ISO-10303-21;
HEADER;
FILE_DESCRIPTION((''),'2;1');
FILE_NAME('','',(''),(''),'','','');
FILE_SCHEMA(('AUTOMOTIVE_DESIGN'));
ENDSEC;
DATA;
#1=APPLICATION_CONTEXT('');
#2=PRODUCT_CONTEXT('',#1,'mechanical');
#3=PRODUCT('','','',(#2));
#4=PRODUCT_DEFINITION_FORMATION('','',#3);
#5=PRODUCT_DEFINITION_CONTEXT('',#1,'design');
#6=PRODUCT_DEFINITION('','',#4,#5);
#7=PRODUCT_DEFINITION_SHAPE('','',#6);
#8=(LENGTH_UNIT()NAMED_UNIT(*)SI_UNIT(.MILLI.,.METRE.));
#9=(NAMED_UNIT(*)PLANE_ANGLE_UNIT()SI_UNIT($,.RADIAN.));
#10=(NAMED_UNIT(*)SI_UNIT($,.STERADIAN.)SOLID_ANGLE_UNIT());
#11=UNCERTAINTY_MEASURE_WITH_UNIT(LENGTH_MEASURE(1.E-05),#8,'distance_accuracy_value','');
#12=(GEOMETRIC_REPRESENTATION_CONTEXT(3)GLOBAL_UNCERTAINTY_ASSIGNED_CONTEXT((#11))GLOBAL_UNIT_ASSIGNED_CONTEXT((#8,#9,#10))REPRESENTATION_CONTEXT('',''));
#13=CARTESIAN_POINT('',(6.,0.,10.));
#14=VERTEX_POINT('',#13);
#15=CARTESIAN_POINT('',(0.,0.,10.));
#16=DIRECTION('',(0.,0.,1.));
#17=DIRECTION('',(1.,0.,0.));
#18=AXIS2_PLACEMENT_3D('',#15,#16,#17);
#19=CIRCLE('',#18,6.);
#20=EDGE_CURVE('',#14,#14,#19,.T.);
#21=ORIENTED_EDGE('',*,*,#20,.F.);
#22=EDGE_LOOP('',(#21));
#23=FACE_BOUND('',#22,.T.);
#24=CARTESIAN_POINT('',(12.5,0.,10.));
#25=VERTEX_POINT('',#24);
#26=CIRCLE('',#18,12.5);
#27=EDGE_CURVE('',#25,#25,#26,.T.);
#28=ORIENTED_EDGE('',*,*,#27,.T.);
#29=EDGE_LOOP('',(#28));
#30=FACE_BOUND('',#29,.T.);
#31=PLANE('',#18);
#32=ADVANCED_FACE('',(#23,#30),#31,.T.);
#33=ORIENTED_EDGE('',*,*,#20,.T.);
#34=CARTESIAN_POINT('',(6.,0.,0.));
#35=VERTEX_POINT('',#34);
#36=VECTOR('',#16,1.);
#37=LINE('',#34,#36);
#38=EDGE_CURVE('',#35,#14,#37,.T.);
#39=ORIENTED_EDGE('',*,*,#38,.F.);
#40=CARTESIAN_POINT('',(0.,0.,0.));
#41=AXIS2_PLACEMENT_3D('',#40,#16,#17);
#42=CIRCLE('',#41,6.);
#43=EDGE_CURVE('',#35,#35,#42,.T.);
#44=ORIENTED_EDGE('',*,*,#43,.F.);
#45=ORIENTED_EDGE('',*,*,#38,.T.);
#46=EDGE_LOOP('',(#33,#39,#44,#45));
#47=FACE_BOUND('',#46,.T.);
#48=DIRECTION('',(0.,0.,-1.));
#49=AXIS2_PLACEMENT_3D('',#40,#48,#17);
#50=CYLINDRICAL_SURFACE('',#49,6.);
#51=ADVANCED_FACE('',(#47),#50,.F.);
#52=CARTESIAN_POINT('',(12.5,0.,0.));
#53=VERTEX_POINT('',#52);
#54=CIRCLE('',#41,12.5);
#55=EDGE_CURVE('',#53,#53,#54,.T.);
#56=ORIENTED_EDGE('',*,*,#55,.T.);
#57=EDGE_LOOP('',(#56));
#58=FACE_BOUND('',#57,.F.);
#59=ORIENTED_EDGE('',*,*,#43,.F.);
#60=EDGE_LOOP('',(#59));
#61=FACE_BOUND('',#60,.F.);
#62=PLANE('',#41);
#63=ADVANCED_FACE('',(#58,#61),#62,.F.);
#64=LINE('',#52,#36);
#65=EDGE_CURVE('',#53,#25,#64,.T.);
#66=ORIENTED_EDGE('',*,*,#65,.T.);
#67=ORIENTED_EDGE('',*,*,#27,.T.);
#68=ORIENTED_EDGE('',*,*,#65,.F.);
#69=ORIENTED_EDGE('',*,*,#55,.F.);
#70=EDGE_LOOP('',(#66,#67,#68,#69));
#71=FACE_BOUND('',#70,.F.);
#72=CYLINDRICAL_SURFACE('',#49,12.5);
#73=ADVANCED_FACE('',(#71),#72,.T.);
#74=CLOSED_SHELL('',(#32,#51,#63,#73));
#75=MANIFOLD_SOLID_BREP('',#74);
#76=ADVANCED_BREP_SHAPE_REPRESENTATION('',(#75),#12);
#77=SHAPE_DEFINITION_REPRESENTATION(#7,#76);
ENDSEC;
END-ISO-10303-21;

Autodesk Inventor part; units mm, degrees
ref_plane "YZ Plane" through (0, 0, 0) normal (1, 0, 0) x (0, 1, 0)
ref_plane "XZ Plane" through (0, 0, 0) normal (0, 1, 0) x (-1, 0, 0)
ref_plane "XY Plane" through (0, 0, 0) normal (0, 0, 1) x (1, 0, 0)
sketch "Sketch1" plane through (0, 0, 0) normal (0, 0, 1) x (1, 0, 0)
  circle A0 centre (0, 0) radius 6
  circle A1 centre (0, 0) radius 12.5
  dimension "d0" = 12
  dimension "d1" = 25
extrude "Extrusion1" add sketch "Sketch1" along normal blind 10
properties part number "WA003.ip" material "ABS Plastic"
